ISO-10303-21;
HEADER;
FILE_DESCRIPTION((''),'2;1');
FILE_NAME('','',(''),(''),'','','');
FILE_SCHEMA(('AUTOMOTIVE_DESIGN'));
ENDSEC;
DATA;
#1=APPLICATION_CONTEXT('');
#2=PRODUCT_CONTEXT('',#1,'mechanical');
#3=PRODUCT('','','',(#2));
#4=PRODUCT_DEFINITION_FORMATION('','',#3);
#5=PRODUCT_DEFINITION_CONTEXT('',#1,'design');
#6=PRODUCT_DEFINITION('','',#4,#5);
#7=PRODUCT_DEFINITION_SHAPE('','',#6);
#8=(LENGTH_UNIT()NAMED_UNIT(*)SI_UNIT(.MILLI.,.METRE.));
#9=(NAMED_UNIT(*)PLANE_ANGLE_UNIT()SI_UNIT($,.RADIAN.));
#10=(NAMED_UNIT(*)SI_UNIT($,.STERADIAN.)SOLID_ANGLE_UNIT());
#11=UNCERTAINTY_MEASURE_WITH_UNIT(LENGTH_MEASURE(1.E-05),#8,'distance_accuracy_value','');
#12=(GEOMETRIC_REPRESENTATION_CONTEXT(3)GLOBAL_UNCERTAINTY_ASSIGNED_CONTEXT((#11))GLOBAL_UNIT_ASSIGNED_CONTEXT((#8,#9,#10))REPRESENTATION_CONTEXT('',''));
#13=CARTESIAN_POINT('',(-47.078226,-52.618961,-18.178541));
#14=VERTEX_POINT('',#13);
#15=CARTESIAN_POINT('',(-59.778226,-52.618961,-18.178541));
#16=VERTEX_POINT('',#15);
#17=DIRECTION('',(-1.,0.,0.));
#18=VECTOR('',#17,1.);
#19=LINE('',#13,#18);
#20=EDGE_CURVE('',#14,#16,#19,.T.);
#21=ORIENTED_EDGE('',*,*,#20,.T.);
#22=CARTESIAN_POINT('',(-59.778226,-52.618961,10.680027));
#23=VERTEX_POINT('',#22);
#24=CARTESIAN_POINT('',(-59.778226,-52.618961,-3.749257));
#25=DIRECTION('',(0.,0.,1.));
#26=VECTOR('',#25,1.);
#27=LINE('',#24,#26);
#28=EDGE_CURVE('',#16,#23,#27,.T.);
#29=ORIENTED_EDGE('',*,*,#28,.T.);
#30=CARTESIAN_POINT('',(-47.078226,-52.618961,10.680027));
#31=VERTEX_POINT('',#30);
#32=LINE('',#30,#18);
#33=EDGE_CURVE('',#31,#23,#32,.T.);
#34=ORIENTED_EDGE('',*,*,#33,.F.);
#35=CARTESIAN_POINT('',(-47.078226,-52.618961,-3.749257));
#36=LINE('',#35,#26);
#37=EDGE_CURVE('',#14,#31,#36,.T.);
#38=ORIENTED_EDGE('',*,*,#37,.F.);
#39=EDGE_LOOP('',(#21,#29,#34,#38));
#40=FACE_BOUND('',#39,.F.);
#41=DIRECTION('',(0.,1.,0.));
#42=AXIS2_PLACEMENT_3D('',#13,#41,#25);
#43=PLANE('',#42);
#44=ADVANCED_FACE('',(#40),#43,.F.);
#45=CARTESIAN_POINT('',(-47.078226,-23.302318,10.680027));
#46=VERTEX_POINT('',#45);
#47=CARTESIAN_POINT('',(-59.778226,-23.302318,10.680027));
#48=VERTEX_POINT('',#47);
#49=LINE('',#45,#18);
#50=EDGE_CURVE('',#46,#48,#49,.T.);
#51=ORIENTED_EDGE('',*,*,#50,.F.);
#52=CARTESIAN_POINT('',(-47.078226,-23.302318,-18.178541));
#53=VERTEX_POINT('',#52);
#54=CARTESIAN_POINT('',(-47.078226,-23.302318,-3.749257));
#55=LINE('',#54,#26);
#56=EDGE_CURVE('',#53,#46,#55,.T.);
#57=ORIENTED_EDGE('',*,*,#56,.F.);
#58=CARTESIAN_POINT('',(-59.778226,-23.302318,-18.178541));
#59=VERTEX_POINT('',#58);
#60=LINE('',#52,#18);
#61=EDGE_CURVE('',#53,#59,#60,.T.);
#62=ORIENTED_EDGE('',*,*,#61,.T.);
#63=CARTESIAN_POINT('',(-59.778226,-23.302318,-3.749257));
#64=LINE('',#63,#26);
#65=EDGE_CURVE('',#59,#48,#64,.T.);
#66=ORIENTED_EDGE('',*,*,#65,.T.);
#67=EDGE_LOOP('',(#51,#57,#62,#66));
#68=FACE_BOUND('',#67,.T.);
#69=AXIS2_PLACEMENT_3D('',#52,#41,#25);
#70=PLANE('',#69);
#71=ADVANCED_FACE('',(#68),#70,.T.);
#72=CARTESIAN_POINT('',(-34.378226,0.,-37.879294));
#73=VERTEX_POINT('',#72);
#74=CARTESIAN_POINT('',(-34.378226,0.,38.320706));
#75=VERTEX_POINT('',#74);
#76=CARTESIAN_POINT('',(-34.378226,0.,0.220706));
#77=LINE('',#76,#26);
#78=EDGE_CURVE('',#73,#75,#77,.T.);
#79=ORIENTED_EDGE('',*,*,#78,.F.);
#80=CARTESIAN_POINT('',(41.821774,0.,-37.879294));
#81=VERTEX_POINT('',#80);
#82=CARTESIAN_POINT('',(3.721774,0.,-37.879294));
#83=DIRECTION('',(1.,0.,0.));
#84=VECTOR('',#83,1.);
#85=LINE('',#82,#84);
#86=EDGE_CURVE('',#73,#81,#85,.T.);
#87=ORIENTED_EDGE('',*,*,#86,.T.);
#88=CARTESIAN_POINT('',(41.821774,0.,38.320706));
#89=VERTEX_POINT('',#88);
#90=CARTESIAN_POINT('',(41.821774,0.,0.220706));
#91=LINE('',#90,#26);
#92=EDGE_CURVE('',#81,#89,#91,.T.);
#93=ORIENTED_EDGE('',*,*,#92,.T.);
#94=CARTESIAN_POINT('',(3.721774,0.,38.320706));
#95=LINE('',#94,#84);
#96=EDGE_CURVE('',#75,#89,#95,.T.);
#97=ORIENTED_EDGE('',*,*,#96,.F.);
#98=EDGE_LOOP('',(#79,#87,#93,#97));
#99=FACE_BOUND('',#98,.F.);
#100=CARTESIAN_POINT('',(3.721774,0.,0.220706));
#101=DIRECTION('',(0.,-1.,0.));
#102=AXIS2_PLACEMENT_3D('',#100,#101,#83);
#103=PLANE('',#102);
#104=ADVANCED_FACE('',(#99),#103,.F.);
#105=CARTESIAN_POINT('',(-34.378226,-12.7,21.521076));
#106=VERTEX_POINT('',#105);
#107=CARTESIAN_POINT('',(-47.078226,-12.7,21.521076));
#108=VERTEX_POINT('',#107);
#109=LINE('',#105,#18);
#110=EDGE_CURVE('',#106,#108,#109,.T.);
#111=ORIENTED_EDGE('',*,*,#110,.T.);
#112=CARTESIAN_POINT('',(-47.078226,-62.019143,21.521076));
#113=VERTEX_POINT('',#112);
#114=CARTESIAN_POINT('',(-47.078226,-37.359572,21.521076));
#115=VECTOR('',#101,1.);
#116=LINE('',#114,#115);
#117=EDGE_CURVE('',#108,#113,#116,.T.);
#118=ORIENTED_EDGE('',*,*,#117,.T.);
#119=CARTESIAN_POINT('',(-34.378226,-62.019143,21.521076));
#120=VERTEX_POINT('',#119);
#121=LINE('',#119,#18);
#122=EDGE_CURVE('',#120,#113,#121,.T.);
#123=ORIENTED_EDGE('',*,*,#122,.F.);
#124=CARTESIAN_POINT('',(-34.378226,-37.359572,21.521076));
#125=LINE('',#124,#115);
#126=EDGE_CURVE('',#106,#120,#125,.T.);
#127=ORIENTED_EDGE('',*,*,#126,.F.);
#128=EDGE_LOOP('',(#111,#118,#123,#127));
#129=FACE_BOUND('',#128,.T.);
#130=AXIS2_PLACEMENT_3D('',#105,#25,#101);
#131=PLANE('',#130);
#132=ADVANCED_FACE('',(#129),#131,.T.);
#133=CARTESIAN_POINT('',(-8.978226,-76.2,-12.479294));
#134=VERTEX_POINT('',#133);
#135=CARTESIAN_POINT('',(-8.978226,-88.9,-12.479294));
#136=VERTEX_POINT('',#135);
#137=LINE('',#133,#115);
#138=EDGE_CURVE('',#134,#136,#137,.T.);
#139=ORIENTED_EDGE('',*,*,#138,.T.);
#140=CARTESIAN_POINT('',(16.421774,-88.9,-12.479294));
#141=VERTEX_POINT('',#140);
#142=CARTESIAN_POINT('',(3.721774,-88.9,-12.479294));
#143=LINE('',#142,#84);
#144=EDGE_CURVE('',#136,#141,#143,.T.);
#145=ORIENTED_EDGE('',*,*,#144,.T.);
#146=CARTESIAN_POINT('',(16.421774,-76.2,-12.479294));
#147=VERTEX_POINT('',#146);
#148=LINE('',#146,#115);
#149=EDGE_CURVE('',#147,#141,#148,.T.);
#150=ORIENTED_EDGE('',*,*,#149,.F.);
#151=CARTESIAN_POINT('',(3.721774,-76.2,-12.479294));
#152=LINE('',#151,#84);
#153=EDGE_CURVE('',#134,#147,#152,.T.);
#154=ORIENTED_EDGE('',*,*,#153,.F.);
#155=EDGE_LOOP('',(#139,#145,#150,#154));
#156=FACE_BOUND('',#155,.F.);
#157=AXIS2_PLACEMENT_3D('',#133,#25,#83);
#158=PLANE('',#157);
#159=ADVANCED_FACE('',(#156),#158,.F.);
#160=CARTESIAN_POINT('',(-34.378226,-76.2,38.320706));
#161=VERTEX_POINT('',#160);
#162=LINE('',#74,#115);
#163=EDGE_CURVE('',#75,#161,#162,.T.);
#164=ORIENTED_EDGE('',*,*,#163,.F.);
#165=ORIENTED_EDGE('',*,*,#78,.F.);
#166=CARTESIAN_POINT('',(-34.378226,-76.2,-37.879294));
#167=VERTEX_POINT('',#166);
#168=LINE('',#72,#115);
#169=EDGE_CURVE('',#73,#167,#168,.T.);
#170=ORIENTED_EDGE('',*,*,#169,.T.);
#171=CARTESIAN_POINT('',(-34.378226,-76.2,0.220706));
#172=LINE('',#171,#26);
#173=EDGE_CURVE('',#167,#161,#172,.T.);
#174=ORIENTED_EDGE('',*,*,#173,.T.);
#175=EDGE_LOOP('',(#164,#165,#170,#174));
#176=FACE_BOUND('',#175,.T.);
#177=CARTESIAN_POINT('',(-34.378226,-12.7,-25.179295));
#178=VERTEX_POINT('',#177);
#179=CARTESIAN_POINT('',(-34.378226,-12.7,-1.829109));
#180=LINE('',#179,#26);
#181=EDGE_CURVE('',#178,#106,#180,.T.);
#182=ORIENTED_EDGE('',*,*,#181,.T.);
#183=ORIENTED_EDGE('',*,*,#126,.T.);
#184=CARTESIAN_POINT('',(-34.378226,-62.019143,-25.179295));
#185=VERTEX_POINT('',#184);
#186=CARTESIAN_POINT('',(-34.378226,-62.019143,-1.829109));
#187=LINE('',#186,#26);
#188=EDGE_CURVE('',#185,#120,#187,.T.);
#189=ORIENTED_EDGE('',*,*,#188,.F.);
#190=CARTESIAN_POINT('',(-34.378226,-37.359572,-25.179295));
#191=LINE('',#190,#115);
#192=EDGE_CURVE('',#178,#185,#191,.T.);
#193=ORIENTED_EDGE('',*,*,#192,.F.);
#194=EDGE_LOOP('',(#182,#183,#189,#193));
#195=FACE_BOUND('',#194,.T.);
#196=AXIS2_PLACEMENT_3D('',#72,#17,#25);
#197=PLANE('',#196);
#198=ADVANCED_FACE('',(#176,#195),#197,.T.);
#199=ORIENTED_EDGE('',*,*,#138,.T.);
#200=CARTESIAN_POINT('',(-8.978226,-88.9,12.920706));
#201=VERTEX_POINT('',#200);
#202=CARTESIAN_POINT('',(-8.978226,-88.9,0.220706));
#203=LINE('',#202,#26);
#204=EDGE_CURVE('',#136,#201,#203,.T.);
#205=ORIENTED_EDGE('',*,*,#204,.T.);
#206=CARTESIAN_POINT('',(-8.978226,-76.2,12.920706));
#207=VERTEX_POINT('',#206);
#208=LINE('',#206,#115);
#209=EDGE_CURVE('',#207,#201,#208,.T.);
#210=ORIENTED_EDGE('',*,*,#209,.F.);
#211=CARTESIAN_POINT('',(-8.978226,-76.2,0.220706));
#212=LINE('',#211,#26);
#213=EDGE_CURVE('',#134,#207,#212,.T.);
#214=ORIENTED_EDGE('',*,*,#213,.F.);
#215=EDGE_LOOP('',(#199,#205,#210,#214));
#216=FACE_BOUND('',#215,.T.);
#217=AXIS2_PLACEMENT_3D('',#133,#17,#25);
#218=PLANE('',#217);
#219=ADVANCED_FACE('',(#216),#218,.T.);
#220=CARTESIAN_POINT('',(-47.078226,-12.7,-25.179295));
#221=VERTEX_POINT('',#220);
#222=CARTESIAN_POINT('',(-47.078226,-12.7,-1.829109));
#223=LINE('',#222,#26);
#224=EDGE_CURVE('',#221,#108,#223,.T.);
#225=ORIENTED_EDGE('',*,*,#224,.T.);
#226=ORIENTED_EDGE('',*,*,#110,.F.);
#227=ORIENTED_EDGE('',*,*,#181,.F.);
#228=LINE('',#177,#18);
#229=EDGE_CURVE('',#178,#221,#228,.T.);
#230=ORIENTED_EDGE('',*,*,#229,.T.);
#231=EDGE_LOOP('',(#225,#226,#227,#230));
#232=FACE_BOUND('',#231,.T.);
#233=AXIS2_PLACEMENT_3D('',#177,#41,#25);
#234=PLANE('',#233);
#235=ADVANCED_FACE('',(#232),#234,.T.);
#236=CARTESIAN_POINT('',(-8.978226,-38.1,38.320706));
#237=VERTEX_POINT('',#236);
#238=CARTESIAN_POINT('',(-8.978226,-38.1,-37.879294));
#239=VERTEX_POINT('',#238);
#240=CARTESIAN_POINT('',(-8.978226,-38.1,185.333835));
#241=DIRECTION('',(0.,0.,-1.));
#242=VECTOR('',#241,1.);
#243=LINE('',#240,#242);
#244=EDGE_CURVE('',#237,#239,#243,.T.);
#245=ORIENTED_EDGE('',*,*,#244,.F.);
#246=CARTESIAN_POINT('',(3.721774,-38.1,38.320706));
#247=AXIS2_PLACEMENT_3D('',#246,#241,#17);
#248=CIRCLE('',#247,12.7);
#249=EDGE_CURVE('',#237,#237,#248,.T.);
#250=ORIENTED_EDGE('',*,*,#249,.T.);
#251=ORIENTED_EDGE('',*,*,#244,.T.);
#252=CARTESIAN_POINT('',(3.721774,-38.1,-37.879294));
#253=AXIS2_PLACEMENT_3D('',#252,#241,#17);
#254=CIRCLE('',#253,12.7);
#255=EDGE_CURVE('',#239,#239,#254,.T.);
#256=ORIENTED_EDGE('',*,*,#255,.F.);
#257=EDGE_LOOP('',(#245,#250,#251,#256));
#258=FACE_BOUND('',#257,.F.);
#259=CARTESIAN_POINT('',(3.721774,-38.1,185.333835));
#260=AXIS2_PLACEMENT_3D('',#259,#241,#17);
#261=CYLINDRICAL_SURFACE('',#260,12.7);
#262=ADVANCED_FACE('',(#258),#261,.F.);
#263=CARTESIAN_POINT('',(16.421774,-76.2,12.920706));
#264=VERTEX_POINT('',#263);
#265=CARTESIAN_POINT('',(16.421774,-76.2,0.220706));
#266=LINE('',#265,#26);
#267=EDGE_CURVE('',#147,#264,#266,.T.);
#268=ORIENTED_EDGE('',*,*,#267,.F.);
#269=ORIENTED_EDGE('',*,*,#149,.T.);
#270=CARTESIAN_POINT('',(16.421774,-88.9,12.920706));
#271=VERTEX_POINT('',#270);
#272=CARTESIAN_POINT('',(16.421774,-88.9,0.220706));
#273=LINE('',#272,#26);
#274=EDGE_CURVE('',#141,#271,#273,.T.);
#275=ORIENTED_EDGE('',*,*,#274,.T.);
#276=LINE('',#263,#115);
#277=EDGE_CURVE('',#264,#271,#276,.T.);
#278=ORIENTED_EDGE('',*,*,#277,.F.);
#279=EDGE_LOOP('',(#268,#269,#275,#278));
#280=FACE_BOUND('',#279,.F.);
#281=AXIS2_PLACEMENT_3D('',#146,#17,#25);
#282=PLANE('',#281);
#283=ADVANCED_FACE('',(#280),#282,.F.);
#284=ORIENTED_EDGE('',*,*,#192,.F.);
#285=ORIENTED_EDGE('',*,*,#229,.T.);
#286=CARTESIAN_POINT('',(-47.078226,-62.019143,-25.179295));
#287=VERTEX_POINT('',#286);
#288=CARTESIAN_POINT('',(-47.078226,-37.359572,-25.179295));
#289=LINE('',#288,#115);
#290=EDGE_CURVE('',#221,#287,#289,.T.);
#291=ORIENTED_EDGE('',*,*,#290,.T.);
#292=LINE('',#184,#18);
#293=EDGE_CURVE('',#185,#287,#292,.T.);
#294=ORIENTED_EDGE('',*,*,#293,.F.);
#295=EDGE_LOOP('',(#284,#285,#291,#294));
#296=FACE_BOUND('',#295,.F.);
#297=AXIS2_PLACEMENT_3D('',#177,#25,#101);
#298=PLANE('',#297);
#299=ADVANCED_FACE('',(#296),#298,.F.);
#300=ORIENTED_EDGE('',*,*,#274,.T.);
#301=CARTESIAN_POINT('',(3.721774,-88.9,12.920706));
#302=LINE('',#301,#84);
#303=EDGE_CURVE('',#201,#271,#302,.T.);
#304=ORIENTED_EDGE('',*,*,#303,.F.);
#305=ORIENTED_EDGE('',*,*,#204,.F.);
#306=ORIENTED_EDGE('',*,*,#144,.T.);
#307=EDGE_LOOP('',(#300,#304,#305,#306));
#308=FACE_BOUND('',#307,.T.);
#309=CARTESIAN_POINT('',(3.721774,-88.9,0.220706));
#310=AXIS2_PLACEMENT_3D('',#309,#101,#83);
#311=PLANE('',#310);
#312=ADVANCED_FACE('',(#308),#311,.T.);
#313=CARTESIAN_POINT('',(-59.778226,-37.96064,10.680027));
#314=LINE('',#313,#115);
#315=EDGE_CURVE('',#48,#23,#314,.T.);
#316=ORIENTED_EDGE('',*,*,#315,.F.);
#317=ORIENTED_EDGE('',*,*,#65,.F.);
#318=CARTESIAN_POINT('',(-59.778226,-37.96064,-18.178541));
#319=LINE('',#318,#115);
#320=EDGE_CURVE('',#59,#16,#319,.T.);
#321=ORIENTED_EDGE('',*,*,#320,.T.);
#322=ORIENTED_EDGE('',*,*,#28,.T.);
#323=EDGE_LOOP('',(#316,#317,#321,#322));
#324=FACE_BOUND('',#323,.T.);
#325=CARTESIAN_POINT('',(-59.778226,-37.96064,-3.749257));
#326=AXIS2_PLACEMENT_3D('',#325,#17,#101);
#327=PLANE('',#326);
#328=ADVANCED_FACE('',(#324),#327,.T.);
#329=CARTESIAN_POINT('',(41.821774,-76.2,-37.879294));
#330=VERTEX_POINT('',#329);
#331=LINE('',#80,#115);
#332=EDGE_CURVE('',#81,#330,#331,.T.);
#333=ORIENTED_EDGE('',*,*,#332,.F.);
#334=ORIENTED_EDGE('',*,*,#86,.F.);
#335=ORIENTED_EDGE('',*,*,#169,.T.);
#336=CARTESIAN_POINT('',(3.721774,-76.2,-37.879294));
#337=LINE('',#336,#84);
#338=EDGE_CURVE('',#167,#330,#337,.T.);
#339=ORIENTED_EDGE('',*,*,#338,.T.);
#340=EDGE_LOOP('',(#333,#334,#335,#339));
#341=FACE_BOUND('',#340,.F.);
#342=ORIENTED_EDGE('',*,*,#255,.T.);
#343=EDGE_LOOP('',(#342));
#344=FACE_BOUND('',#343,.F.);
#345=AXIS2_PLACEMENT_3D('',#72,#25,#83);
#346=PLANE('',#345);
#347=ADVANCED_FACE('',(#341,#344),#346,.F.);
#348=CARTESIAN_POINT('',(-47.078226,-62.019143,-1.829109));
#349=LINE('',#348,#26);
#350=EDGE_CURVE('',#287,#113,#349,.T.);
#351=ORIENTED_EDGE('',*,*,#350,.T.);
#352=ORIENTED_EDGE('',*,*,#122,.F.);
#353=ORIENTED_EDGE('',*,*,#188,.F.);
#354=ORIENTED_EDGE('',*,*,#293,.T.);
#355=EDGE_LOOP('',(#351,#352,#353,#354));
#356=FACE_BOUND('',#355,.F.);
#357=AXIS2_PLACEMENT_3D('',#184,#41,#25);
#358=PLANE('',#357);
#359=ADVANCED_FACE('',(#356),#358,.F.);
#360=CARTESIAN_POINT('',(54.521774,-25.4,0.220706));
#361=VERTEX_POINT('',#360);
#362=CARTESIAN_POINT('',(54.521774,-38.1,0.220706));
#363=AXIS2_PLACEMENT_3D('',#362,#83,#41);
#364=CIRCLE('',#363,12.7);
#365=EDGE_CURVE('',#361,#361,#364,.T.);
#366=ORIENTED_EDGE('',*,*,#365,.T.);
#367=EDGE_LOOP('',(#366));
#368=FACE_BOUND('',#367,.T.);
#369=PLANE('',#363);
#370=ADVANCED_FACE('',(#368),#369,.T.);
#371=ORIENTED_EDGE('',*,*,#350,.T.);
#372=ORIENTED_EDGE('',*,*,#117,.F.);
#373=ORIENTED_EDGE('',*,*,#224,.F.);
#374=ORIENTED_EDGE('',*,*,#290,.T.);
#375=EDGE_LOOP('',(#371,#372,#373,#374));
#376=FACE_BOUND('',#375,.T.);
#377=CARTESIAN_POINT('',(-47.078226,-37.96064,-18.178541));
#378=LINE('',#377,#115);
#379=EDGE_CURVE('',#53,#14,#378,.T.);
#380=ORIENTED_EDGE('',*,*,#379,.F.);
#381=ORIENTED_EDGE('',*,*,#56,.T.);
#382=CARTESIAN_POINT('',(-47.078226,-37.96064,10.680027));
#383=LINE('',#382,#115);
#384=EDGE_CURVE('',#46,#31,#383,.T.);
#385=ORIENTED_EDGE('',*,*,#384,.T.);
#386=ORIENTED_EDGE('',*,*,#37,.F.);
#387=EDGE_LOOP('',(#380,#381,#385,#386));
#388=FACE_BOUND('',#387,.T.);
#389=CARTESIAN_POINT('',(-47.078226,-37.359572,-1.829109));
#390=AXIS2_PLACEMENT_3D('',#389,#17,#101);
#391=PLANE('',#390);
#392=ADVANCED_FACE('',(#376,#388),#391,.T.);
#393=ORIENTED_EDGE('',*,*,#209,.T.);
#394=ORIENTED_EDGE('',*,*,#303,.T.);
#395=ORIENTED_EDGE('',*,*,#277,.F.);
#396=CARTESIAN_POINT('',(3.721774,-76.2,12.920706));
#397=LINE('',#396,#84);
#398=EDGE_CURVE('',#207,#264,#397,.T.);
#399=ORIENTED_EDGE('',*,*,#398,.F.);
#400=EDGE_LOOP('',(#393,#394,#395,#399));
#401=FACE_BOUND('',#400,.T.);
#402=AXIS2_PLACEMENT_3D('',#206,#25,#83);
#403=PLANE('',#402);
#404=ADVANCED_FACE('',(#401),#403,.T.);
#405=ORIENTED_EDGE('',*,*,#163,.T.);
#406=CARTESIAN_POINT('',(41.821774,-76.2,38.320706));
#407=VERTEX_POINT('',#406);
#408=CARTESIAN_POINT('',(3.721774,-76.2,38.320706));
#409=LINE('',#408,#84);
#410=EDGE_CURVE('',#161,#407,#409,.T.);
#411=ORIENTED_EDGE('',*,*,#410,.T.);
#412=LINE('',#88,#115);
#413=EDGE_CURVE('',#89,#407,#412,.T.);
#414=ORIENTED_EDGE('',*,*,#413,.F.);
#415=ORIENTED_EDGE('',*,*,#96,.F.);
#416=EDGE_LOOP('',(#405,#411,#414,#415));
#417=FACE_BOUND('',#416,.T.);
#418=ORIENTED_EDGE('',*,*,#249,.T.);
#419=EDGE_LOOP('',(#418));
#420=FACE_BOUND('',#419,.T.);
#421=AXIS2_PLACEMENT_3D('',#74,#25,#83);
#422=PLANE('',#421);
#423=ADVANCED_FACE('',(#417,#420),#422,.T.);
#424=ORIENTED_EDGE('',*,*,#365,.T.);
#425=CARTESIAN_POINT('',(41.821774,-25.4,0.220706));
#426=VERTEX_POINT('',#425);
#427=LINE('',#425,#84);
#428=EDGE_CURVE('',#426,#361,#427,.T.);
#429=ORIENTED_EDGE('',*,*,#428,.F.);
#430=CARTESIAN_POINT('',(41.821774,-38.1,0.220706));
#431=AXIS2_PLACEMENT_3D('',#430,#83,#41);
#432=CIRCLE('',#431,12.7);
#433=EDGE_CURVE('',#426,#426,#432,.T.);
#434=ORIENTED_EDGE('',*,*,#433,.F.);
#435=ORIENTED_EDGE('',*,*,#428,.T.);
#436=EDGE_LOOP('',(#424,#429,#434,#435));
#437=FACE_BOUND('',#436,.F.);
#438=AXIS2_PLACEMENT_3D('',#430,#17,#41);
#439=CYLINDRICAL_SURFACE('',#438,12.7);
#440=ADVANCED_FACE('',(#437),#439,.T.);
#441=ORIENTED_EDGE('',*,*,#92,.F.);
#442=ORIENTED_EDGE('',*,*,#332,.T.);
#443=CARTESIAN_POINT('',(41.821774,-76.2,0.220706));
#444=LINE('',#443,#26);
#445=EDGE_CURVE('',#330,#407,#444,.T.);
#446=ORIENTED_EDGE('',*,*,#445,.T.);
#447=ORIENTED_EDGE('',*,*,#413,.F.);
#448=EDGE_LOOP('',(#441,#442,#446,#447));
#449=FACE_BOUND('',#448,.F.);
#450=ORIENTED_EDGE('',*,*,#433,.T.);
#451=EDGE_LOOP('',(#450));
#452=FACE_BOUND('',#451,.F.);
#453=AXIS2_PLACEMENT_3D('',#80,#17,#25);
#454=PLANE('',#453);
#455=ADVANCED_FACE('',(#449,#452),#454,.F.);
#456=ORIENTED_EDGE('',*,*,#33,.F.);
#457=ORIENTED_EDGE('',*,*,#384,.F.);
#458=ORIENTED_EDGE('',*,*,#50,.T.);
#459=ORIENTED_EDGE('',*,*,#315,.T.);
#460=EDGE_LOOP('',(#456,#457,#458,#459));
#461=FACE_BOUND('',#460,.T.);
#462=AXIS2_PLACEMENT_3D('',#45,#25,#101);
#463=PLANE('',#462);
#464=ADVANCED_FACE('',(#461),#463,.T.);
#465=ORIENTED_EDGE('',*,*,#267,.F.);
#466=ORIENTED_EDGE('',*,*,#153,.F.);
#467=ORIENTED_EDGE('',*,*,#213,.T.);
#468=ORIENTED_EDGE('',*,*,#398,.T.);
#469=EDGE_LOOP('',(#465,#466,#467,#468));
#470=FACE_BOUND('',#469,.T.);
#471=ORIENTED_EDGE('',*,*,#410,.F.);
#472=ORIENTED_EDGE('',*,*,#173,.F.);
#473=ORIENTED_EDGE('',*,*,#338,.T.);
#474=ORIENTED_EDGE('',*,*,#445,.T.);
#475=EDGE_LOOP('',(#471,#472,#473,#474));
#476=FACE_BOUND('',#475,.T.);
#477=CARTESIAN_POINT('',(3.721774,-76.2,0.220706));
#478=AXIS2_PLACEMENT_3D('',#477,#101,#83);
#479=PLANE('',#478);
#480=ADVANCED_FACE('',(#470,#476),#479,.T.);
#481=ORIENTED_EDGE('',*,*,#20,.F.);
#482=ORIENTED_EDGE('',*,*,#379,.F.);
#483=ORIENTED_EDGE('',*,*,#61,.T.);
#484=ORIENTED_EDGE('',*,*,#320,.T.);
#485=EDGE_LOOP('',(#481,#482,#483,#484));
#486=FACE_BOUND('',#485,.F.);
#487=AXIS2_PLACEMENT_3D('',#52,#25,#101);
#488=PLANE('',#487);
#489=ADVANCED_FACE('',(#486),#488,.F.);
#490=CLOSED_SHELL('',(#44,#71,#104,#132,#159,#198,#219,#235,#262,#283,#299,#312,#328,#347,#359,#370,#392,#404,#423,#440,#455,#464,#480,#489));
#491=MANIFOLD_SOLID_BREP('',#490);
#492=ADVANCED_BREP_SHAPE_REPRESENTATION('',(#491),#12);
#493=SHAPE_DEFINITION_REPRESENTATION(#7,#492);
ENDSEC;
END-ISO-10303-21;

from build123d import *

# Parameters (mm, degrees)
F0_W      = 76.2
F0_H      = 76.2
F1_DEPTH  = 76.2
F2_W      = 25.4
F2_H      = 25.4
F3_DEPTH  = 12.7
F4_R      = 12.7
F5_DEPTH  = 12.7
F7_D      = 25.4
F8_W      = 49.319143
F8_H      = 46.700371
F9_DEPTH  = 12.7
F10_W     = 29.316643
F10_H     = 28.858568
F11_DEPTH = 12.7


with BuildPart() as f1:
    # F0 (on Front) → F1 (new body)
    with BuildSketch(Plane.XZ):
        with Locations((3.721774, 0.220706)):
            Rectangle(F0_W, F0_H)
    extrude(amount=F1_DEPTH)

    # F2 (on face) → F3 (join)
    with BuildSketch(Plane.XZ.offset(76.2)):
        with Locations((3.721774, 0.220706)):
            Rectangle(F2_W, F2_H)
    extrude(amount=F3_DEPTH)

    # F4 (on face) → F5 (join)
    with BuildSketch(Plane.YZ.offset(41.821774)):
        with Locations((-38.1, 0.220706)):
            Circle(F4_R)
    extrude(amount=F5_DEPTH)

    # F7 (through all)
    with Locations(Plane.XY.offset(38.320706)):
        with Locations((3.721774, -38.1)):
            Hole(F7_D / 2)

    # F8 (on face) → F9 (join)
    with BuildSketch(Plane(origin=(-34.378226, 0, 0), x_dir=(0, -1, 0), z_dir=(-1, 0, 0))):
        with Locations((37.359572, -1.829109)):
            Rectangle(F8_W, F8_H)
    extrude(amount=F9_DEPTH)

    # F10 (on face) → F11 (join)
    with BuildSketch(Plane(origin=(-47.078226, 0, 0), x_dir=(0, -1, 0), z_dir=(-1, 0, 0))):
        with Locations((37.96064, -3.749257)):
            Rectangle(F10_W, F10_H)
    extrude(amount=F11_DEPTH)


solid = f1.part
